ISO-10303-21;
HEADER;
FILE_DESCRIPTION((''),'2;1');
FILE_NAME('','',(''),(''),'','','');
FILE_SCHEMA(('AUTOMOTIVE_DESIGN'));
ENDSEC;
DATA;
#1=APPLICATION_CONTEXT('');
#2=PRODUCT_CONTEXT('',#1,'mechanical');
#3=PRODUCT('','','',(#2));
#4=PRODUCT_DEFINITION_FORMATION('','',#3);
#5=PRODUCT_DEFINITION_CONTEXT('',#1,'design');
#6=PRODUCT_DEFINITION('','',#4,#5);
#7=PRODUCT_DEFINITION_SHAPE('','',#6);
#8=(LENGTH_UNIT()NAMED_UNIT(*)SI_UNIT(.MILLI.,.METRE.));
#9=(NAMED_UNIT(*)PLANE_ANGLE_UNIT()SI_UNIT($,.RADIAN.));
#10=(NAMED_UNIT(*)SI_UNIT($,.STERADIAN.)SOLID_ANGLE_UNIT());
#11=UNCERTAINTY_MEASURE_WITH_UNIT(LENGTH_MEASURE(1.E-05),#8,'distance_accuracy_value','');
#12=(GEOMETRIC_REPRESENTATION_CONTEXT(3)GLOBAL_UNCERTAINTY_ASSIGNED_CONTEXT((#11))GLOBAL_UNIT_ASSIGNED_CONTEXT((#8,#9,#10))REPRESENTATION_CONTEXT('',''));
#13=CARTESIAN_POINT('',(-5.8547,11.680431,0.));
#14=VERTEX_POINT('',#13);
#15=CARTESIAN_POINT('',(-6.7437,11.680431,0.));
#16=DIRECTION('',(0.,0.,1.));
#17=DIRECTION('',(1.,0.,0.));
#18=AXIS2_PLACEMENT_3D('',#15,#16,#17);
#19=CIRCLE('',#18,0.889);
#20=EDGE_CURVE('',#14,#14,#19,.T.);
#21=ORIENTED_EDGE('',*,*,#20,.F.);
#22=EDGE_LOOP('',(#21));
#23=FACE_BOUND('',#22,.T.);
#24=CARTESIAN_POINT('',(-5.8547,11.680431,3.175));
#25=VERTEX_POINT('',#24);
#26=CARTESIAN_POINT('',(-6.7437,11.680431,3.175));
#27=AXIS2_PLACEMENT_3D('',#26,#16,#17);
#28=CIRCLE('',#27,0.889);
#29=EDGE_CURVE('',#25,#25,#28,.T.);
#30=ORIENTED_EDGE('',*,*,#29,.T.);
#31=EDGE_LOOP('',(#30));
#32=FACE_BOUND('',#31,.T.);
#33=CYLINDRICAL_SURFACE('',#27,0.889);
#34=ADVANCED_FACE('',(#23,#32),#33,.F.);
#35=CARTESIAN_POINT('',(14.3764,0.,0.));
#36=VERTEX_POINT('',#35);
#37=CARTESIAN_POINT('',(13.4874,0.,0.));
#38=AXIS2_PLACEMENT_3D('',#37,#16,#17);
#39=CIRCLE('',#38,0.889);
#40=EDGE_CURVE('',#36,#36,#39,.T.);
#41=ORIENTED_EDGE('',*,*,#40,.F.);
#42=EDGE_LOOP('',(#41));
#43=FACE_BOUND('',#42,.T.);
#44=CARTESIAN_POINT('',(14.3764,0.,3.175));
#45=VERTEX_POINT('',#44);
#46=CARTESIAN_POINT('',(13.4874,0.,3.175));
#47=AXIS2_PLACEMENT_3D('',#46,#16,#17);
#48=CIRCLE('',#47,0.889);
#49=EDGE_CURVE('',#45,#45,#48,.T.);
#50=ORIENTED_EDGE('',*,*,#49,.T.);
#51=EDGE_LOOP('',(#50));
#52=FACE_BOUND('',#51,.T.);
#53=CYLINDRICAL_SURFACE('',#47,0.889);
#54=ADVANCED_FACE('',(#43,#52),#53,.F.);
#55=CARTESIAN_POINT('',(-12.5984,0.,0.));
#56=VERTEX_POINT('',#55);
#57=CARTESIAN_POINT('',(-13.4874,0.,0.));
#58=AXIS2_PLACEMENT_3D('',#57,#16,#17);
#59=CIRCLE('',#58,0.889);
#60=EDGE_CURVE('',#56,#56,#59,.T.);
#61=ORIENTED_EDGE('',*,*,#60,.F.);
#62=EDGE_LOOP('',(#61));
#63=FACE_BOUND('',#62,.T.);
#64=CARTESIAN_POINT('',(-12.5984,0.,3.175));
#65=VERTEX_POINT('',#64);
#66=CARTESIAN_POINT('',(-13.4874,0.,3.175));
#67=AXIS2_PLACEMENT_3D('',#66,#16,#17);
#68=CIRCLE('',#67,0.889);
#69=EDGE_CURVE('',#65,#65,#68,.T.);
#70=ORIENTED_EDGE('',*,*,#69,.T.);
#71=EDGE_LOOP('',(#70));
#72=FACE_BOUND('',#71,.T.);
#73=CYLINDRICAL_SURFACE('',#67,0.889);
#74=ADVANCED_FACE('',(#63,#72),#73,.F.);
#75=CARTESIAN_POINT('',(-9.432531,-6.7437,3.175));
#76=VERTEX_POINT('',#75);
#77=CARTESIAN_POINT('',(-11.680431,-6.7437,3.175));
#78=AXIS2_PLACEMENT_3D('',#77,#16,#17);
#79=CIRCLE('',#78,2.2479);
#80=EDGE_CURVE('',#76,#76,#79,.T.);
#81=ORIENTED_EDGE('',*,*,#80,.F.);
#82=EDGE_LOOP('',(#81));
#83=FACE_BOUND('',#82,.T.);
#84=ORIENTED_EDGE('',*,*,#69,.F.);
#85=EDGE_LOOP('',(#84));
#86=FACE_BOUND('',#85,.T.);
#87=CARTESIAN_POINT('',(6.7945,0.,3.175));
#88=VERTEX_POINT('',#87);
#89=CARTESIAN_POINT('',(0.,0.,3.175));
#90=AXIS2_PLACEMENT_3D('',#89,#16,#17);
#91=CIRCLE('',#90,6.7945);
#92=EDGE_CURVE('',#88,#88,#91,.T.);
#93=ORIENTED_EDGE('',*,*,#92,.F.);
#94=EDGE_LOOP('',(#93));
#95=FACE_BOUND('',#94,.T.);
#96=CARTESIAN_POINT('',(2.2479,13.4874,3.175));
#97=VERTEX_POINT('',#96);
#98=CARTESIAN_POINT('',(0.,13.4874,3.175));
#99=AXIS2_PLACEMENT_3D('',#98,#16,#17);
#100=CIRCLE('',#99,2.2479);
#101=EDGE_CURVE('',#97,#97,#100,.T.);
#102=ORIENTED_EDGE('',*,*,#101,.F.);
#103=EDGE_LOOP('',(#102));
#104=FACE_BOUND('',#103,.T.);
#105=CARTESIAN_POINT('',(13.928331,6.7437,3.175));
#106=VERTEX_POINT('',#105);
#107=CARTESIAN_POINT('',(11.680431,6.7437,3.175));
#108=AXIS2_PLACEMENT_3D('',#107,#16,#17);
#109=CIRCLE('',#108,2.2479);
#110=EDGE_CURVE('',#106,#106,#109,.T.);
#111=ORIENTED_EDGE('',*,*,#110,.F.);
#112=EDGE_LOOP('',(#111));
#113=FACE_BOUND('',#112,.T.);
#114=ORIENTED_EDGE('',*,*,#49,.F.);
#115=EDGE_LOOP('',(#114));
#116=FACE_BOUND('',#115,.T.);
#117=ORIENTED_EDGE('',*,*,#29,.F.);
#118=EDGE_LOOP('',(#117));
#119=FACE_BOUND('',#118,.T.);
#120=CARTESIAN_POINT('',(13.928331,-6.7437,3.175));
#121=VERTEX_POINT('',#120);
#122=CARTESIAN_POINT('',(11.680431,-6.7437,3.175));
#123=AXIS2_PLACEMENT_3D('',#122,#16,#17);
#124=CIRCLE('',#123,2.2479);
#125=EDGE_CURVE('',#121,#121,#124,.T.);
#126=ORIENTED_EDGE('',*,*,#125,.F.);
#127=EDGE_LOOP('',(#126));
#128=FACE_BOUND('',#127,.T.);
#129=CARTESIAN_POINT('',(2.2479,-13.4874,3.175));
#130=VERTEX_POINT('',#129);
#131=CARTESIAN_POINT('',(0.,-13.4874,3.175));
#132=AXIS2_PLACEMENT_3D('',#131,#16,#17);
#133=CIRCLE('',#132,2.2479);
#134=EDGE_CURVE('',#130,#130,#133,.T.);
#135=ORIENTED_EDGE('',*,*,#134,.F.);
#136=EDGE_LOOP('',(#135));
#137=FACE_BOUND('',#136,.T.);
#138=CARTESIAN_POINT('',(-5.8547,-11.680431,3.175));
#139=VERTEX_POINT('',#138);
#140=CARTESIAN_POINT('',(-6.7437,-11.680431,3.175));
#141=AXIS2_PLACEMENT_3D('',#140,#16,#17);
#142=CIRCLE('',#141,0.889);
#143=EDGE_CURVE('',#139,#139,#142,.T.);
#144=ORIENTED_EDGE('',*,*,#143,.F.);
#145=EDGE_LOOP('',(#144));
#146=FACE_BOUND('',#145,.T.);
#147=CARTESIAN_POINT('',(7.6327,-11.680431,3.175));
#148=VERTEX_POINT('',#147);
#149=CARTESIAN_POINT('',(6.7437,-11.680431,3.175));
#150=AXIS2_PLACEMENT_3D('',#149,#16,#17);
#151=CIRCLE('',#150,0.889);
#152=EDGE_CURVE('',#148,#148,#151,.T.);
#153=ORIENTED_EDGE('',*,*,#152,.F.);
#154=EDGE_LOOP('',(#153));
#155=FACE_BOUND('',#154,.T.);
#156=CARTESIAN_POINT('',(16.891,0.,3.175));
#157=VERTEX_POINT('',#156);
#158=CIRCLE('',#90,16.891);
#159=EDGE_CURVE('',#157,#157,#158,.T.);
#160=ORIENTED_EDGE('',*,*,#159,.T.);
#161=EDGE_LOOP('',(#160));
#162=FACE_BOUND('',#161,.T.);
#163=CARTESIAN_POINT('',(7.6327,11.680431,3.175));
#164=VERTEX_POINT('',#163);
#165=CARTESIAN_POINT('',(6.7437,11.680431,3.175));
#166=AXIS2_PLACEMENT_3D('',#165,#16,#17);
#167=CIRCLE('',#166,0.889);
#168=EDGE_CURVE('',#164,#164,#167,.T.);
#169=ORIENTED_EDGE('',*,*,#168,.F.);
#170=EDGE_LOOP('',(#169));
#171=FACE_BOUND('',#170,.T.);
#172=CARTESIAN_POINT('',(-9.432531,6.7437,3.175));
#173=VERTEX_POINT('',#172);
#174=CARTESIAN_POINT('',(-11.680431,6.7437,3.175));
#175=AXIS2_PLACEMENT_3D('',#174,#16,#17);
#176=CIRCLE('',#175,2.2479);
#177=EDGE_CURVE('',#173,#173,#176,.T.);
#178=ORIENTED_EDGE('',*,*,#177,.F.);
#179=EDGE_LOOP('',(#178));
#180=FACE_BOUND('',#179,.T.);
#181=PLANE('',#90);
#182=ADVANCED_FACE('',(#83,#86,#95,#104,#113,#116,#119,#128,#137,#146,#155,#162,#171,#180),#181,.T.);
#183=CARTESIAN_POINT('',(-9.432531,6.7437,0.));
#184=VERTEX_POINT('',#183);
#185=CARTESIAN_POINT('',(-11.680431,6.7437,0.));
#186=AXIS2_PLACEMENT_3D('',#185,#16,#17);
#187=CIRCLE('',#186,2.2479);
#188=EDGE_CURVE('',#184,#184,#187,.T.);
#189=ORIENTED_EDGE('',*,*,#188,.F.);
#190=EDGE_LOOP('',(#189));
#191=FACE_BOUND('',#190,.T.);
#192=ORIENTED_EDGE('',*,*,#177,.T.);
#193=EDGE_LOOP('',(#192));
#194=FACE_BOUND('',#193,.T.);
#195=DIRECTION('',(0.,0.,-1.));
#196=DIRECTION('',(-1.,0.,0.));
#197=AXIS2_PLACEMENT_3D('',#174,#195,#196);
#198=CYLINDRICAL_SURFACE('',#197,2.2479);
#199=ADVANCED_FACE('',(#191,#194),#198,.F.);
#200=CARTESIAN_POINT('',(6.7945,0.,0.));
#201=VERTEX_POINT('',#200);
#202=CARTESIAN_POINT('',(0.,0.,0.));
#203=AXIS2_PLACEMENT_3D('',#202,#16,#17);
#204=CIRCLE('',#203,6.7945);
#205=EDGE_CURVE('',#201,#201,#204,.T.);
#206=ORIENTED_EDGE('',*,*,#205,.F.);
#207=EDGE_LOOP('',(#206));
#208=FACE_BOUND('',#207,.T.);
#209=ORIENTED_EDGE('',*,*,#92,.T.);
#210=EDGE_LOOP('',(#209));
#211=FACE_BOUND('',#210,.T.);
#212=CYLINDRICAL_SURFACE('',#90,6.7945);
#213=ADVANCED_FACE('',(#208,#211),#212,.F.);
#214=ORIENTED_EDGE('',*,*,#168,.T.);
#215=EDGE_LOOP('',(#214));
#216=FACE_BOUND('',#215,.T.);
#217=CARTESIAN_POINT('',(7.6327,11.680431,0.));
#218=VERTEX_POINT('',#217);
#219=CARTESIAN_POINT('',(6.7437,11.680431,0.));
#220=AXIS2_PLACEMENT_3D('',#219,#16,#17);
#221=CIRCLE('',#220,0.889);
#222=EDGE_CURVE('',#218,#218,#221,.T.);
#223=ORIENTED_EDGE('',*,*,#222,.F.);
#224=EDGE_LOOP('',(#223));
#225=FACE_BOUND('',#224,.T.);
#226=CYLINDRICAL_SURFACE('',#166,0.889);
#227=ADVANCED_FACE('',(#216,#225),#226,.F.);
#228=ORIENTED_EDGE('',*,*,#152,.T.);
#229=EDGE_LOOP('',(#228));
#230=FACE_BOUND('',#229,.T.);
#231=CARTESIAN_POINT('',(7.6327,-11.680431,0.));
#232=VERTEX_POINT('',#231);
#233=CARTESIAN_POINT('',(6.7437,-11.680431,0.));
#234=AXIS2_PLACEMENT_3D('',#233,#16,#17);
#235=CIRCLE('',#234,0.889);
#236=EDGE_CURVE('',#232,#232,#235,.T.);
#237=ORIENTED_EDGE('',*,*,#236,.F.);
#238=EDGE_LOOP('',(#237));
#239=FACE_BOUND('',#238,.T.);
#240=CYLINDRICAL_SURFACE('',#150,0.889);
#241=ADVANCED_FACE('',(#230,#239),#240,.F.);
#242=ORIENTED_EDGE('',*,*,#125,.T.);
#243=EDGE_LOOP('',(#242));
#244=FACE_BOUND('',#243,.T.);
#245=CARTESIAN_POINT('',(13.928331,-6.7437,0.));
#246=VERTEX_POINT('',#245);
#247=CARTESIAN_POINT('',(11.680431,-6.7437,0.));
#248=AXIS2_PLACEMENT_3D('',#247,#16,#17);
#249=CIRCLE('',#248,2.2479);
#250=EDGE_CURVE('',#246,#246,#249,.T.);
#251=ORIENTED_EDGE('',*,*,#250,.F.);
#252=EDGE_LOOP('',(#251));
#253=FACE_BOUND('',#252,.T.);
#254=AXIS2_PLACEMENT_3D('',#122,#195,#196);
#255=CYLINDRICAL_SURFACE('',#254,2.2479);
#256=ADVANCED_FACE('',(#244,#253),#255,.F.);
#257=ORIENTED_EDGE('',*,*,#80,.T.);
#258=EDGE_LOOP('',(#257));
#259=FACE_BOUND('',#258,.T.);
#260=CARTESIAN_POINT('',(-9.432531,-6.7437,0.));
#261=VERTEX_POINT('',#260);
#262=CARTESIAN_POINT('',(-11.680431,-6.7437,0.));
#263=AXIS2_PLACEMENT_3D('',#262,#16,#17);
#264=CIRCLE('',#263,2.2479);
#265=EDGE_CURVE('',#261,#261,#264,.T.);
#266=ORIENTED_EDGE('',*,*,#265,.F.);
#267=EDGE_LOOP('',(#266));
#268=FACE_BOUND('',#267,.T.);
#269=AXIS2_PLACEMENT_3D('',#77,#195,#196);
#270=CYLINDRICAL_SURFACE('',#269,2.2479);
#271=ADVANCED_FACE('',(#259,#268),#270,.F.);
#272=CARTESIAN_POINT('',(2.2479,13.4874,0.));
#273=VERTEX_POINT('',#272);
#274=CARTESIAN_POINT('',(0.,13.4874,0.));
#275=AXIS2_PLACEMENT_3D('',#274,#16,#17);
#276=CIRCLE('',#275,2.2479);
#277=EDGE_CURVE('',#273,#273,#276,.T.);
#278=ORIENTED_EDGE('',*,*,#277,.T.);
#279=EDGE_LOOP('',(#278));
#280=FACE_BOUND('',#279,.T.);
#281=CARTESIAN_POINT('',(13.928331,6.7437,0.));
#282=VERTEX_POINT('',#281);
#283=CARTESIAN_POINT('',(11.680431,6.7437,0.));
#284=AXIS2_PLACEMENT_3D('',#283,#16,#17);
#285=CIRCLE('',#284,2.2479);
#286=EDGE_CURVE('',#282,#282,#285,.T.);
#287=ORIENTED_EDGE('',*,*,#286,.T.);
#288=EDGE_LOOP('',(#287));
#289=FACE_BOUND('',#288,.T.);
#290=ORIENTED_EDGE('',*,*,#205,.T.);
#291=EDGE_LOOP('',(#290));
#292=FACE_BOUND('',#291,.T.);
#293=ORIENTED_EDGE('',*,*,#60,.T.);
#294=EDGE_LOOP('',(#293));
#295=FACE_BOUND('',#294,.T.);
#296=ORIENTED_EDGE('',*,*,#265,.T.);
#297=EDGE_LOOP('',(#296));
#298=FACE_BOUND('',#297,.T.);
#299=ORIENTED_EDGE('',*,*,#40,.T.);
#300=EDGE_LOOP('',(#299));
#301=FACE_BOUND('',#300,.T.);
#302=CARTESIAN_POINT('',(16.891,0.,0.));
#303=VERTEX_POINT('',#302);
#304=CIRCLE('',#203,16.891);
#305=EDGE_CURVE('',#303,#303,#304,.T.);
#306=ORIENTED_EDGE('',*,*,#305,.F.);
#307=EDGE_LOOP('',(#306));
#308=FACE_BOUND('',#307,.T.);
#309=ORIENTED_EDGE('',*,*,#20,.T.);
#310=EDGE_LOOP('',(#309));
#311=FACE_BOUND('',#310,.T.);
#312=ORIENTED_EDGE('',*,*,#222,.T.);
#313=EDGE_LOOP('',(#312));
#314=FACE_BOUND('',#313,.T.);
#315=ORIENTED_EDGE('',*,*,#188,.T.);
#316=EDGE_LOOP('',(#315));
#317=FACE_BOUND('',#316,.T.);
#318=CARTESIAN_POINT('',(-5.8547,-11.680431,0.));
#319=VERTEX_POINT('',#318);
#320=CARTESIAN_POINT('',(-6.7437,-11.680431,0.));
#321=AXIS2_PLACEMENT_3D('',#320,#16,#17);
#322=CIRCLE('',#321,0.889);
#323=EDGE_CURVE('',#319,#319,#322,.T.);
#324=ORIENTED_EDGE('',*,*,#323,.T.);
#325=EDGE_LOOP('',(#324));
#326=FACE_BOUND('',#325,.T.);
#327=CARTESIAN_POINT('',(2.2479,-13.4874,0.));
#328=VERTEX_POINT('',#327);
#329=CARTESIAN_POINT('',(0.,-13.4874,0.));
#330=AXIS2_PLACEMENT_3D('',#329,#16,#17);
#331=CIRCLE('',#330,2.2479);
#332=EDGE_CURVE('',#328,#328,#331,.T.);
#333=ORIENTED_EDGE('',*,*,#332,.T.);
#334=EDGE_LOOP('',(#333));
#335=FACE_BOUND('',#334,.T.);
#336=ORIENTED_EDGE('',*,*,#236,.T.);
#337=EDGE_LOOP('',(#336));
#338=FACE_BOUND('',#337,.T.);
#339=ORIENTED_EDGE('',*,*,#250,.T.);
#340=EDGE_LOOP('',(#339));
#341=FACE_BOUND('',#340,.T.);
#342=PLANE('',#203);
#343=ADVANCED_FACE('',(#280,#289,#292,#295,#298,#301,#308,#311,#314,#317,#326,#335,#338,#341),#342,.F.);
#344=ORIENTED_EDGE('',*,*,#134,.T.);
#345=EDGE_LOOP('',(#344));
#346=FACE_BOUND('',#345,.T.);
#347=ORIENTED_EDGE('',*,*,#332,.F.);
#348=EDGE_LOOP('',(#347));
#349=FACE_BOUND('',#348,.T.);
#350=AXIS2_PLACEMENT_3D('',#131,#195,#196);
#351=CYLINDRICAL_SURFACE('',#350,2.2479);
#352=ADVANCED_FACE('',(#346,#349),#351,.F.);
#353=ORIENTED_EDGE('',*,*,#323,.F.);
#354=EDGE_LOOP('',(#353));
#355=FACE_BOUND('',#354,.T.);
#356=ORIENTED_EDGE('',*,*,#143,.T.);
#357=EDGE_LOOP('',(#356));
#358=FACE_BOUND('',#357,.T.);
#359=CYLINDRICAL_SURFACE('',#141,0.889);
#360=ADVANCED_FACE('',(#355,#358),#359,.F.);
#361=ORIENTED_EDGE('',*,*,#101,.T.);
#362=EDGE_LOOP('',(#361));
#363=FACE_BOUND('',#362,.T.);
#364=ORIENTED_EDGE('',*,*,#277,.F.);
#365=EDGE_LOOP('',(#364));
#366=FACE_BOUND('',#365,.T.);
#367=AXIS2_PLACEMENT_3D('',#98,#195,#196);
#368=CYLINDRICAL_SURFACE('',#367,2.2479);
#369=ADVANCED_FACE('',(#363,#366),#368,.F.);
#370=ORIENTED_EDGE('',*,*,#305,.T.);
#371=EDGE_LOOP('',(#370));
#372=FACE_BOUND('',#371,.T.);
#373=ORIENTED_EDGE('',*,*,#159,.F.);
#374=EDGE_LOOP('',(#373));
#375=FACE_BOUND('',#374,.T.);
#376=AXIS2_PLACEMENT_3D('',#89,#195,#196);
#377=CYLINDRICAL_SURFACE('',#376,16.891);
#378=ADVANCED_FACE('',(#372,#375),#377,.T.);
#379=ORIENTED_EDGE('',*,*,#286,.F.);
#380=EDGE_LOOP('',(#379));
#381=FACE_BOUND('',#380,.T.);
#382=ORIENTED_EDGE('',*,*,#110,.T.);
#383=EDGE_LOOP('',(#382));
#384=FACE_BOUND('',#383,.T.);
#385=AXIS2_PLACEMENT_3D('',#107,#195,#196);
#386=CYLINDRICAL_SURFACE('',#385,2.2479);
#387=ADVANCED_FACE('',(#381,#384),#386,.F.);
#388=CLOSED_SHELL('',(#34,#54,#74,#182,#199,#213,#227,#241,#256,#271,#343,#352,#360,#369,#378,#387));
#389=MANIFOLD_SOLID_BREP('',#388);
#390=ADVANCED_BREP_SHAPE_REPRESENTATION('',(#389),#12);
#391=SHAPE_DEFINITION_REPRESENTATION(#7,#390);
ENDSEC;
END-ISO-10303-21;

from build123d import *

# Parameters (mm, degrees)
SKETCH1_R                 = 16.891
SKETCH1_R_2               = 2.2479
BOSS_EXTRUDE1_DEPTH       = 3.175
TAP_DRILL_FOR_4_40_TAP1_D = 13.589
TAP_DRILL_FOR_2_56_TAP1_D = 1.778
CIRPATTERN1_COUNT         = 6


with BuildPart() as part:
    # Sketch1 → Boss-Extrude1 (new body)
    with BuildSketch(Plane.XY):
        Circle(SKETCH1_R)
        with Locations((0, -13.4874)):
            Circle(SKETCH1_R_2, mode=Mode.SUBTRACT)
        with Locations((-11.680431031, -6.7437)):
            Circle(SKETCH1_R_2, mode=Mode.SUBTRACT)
        with Locations((-11.680431031, 6.7437)):
            Circle(SKETCH1_R_2, mode=Mode.SUBTRACT)
        with Locations((0, 13.4874)):
            Circle(SKETCH1_R_2, mode=Mode.SUBTRACT)
        with Locations((11.680431031, 6.7437)):
            Circle(SKETCH1_R_2, mode=Mode.SUBTRACT)
        with Locations((11.680431031, -6.7437)):
            Circle(SKETCH1_R_2, mode=Mode.SUBTRACT)
    extrude(amount=BOSS_EXTRUDE1_DEPTH)

    # Tap Drill for #4-40 Tap1 (through all)
    with Locations(Plane.XY.offset(3.175)):
        with Locations((0, 0)):
            Hole(TAP_DRILL_FOR_4_40_TAP1_D / 2)

    # Tap Drill for #2-56 Tap1 (through all)
    with Locations(Plane.XY.offset(3.175)):
        with Locations((13.4874, 0)):
            tap_drill_for_2_56_tap1 = Hole(TAP_DRILL_FOR_2_56_TAP1_D / 2)

    # CirPattern1: Tap Drill for #2-56 Tap1 ×6 about axis
    cirpattern1_axis = Axis((0, 0, 0), (0, 0, 1))
    for i in range(1, CIRPATTERN1_COUNT):
        add(tap_drill_for_2_56_tap1.rotate(cirpattern1_axis, i * 360 / CIRPATTERN1_COUNT), mode=Mode.SUBTRACT)


solid = part.part
